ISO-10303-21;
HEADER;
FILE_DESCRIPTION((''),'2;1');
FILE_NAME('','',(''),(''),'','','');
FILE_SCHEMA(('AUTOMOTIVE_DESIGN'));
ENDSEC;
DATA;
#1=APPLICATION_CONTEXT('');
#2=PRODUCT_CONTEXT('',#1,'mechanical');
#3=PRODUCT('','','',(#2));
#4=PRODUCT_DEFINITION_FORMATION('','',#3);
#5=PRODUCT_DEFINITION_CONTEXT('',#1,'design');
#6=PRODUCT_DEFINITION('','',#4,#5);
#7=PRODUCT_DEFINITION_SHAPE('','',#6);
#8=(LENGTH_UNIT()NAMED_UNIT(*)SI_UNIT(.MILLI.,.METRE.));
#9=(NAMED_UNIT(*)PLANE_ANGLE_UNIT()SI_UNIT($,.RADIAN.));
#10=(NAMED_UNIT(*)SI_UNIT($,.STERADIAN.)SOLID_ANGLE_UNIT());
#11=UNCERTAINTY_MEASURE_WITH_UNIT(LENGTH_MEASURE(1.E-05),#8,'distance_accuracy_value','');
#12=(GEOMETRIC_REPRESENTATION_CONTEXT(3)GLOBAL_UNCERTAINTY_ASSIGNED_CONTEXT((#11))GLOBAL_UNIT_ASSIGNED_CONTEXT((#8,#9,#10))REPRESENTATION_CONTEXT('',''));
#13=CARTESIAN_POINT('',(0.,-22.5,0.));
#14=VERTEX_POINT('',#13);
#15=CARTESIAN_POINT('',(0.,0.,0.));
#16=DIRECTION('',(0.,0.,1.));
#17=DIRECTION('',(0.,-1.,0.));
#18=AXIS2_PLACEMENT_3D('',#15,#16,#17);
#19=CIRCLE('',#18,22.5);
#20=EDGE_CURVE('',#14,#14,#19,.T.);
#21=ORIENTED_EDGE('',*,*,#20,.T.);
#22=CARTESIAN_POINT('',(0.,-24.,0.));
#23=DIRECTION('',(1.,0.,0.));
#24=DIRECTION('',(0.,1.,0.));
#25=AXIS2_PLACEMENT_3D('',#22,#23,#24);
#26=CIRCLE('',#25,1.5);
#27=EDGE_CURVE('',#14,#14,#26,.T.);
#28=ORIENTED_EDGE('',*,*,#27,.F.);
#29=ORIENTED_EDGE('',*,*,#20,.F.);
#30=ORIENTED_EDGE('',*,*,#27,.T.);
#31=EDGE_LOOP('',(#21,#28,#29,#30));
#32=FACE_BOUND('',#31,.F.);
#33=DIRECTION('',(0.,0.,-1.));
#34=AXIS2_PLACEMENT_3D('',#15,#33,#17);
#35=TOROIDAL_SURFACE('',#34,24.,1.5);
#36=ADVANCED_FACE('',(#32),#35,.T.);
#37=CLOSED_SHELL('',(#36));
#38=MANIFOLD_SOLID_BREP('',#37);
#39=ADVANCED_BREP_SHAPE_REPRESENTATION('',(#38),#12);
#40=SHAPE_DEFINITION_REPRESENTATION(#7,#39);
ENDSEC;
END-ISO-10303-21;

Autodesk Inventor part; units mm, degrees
ref_plane "YZ Plane" through (0, 0, 0) normal (1, 0, 0) x (0, 1, 0)
ref_plane "XZ Plane" through (0, 0, 0) normal (0, 1, 0) x (-1, 0, 0)
ref_plane "XY Plane" through (0, 0, 0) normal (0, 0, 1) x (1, 0, 0)
sketch "Skizze1" plane through (0, 0, 0) normal (1, 0, 0) x (0, 1, 0)
  circle A0 centre (-24, 0) radius 1.5
  line L0 (0, -2.1) -> (0, 2.1) projected
  point P0 (0, 0)
  dimension "d3" = 24
revolve "Umdrehung1" add sketch "Skizze1" angle 360 about axis through (0, 0, -10) along (0, 0, 1)
properties part number "O-Ring_51_3"
